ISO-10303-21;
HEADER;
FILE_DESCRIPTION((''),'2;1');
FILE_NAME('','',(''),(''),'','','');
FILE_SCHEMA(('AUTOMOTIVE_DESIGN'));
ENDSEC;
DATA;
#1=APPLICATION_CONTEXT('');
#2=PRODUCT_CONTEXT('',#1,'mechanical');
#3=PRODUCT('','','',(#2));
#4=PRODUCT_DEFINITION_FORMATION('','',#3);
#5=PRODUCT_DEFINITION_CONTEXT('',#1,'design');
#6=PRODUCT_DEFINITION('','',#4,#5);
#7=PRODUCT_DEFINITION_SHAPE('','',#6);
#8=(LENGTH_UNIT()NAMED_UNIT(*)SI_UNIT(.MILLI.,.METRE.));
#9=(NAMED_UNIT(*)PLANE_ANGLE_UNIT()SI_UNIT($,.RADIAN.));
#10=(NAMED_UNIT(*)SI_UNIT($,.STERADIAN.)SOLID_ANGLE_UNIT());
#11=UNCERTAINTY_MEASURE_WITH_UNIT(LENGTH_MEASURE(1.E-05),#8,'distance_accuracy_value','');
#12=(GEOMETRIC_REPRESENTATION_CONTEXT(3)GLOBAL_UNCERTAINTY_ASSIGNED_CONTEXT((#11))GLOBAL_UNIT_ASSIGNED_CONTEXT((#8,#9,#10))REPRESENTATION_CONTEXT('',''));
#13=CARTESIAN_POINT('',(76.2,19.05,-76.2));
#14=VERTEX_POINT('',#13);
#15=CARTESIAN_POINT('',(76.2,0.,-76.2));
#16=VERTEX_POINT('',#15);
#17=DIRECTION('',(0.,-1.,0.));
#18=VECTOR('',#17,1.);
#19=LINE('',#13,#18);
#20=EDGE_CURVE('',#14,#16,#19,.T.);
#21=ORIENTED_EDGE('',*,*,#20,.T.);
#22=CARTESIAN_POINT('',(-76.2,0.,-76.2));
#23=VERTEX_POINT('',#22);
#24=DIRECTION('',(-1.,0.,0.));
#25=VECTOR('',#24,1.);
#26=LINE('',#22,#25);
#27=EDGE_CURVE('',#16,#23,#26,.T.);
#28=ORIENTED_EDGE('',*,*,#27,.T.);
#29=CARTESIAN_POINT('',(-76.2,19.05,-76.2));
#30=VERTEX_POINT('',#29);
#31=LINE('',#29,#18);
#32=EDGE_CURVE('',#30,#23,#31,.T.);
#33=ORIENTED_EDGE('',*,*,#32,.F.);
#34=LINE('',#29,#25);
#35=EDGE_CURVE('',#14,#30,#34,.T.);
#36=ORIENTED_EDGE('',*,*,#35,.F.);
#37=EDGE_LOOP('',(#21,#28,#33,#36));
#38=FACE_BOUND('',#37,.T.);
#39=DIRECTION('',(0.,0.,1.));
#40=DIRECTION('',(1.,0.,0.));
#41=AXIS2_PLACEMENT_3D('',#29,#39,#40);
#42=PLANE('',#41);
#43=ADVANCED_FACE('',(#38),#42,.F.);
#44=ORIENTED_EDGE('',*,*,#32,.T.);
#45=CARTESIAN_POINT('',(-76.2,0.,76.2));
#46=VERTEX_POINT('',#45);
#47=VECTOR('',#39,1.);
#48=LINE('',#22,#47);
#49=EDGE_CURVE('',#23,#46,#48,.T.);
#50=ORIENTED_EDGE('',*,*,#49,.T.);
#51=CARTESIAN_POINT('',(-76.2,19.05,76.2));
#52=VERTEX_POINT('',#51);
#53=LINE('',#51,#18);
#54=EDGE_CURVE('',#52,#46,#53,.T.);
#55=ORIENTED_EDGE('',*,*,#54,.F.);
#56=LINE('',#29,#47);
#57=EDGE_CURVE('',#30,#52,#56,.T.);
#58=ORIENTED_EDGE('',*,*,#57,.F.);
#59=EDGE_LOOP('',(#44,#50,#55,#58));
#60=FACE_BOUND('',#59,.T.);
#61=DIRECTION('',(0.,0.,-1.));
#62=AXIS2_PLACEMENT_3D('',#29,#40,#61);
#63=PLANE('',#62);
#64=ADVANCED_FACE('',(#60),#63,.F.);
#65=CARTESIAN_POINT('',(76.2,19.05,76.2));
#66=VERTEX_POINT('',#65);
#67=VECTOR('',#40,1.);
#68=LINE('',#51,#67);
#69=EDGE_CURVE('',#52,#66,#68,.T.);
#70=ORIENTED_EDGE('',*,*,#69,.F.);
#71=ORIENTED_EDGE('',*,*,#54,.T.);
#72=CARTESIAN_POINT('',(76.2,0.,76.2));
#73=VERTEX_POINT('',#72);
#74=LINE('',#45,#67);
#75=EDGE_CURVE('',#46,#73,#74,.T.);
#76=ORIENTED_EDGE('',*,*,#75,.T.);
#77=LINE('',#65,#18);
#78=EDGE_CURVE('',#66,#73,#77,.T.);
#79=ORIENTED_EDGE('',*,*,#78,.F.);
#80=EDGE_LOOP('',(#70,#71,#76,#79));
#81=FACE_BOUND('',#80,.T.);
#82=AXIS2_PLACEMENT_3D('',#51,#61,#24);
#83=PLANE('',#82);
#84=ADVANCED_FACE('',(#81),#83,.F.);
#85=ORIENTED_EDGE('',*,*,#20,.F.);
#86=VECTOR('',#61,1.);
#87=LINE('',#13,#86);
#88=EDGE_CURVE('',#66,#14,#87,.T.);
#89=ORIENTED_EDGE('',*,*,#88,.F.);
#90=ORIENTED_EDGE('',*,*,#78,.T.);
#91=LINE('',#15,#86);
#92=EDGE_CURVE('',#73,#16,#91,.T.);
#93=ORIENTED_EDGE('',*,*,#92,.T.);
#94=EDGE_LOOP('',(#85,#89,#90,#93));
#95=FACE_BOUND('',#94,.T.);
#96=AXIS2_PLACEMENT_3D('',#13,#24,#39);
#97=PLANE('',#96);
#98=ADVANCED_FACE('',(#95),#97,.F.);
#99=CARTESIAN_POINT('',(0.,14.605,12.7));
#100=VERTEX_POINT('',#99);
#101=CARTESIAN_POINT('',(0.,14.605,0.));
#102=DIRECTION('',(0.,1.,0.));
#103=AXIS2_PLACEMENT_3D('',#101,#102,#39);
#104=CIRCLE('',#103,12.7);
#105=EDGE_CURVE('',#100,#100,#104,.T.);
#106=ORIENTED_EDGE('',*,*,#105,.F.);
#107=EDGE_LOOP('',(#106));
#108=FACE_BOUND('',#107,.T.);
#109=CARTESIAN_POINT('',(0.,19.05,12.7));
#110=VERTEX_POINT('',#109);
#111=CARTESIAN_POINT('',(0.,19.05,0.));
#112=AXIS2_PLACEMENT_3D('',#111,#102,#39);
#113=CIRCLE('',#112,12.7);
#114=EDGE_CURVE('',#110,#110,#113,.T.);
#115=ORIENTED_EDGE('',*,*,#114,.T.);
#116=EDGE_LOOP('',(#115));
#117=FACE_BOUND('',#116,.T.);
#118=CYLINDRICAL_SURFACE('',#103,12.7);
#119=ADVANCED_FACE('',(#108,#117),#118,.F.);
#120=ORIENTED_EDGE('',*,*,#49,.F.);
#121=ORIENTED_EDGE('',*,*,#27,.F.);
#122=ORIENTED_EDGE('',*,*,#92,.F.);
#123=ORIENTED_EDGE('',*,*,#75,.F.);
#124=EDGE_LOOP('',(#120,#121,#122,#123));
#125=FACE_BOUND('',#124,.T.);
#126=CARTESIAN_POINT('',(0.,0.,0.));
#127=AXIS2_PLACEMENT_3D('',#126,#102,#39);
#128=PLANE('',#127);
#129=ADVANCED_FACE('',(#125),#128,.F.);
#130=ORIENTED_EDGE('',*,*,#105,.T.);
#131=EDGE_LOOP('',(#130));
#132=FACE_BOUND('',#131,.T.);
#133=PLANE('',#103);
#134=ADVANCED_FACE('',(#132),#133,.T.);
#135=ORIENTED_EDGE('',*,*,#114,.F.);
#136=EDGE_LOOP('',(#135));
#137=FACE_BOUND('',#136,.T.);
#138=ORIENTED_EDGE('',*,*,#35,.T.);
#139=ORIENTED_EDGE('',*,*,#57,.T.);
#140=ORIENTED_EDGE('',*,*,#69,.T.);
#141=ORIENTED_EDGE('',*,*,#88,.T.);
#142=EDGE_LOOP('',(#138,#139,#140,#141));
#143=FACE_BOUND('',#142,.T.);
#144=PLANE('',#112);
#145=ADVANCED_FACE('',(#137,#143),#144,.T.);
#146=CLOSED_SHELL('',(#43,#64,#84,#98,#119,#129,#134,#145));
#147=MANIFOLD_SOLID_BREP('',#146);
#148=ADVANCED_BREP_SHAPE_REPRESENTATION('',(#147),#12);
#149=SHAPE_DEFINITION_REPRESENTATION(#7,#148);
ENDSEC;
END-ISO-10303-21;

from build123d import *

# Parameters (mm, degrees)
SKETCH2_W           = 152.4
SKETCH2_H           = 152.4
BOSS_EXTRUDE1_DEPTH = 19.05
SKETCH3_R           = 12.7
CUT_EXTRUDE1_DEPTH  = 4.445


with BuildPart() as part:
    # Sketch2 → Boss-Extrude1 (new body)
    with BuildSketch(Plane(origin=(0, 0, 0), x_dir=(1, 0, 0), z_dir=(0, 1, 0))):
        Rectangle(SKETCH2_W, SKETCH2_H)
    extrude(amount=BOSS_EXTRUDE1_DEPTH)

    # Sketch3 → Cut-Extrude1 (cut)
    with BuildSketch(Plane(origin=(0, 19.05, 0), x_dir=(1, 0, 0), z_dir=(0, 1, 0))):
        with Locations(Location((0, 0, 0), (0, 0, 270))):
            Circle(SKETCH3_R)
    extrude(amount=-CUT_EXTRUDE1_DEPTH, mode=Mode.SUBTRACT)


solid = part.part
